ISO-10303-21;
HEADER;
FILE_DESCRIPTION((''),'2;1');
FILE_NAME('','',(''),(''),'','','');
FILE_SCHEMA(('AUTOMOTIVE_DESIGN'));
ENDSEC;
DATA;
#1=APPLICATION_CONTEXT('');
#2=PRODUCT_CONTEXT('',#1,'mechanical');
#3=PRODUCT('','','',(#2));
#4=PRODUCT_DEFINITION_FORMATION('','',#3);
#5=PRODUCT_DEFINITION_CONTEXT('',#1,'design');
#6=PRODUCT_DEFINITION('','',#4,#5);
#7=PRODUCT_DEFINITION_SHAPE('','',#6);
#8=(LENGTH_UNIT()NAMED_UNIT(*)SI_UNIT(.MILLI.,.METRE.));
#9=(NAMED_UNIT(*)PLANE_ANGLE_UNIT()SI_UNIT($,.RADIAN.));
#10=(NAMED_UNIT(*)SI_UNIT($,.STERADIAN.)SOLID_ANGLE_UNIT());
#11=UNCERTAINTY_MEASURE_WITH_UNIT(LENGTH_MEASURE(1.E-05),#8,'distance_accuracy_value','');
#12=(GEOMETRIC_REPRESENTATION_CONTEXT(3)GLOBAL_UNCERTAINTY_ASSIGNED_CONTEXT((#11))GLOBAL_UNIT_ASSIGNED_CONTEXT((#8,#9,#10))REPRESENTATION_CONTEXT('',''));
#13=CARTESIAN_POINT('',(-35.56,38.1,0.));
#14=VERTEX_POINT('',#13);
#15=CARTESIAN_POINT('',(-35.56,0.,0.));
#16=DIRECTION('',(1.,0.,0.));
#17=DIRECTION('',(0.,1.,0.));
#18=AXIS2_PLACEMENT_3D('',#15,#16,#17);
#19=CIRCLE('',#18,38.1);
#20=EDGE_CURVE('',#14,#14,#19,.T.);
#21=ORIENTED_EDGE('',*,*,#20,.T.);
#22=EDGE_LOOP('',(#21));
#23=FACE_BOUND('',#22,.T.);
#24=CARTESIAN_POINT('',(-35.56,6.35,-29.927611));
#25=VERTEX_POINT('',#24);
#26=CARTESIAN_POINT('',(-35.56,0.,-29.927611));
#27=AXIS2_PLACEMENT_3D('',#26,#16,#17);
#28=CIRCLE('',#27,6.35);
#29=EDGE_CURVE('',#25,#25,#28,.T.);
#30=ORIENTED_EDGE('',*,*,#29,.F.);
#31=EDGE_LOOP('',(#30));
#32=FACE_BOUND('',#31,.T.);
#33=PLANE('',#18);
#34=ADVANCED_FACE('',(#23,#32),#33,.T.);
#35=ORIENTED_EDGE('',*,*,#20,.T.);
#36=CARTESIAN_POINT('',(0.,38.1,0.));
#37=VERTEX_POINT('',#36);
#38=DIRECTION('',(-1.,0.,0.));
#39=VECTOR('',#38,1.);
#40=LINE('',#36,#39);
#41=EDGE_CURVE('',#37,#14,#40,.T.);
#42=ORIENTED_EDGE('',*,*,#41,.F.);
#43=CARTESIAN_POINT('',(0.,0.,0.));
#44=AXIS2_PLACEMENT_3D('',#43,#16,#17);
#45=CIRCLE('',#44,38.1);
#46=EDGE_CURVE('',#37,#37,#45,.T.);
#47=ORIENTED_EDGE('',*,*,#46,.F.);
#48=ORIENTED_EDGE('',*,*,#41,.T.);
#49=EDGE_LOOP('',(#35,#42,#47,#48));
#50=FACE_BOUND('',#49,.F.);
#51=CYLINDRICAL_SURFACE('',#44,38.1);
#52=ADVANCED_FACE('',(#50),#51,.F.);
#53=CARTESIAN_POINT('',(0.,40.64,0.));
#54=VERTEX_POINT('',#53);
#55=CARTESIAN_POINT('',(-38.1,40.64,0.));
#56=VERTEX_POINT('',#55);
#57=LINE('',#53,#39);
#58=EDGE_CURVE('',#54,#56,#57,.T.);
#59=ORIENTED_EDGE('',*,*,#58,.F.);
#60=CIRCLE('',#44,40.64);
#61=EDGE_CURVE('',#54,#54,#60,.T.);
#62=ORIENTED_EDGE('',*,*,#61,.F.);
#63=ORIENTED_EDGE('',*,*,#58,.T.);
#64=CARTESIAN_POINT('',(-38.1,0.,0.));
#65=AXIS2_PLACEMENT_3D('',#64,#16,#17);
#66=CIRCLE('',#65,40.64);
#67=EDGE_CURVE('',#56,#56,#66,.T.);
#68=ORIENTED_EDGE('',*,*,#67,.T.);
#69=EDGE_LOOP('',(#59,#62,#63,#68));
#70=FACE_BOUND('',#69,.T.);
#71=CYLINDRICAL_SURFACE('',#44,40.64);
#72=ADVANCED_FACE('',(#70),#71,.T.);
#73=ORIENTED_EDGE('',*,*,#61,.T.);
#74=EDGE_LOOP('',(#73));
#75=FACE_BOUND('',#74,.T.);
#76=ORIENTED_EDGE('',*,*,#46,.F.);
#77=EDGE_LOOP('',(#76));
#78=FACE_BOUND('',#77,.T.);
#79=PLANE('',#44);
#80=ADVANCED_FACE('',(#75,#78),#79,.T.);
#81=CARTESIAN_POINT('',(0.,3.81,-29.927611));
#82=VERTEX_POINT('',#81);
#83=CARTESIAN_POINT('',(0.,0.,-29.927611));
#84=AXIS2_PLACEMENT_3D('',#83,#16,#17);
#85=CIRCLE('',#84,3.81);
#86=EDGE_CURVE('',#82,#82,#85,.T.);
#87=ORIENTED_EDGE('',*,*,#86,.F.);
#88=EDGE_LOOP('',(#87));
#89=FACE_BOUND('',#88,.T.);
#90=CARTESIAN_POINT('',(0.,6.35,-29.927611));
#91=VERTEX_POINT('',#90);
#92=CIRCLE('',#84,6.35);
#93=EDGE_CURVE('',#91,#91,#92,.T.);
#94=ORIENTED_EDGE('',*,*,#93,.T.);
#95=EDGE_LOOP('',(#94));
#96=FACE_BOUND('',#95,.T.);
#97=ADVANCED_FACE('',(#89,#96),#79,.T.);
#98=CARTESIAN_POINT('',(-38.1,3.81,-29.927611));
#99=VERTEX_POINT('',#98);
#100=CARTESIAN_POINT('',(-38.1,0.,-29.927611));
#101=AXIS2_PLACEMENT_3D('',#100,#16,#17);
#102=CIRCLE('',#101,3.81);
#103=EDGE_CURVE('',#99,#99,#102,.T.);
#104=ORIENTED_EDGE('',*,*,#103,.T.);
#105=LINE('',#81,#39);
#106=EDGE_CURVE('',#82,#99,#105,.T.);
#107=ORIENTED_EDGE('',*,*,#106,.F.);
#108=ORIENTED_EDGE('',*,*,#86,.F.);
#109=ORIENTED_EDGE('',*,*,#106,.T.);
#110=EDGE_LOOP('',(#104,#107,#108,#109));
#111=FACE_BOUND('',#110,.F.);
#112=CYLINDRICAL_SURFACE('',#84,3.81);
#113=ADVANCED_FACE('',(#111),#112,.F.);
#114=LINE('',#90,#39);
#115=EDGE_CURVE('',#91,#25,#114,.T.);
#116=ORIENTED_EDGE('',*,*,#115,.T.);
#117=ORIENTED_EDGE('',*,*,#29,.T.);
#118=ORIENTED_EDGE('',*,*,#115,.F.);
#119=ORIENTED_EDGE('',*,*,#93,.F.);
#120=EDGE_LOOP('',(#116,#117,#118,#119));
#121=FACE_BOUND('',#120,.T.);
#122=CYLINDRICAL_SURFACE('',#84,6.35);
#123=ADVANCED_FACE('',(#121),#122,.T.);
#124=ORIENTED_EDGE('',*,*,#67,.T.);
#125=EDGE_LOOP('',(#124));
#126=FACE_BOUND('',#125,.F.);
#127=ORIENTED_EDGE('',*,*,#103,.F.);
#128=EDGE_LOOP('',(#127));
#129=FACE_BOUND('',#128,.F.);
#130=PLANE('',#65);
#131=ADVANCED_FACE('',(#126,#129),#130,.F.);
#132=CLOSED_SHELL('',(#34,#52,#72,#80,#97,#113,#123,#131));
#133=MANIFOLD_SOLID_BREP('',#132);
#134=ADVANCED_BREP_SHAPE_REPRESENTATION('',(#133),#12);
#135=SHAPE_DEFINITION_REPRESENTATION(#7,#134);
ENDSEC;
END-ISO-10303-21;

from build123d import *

# Parameters (mm, degrees)
F0_R     = 40.64
F0_R_2   = 3.81
F1_DEPTH = 38.1
F2_T     = -2.54


with BuildPart() as f1:
    # F0 (on Right) → F1 (new body)
    with BuildSketch(Plane.YZ):
        Circle(F0_R)
        with Locations((0, -29.927611)):
            Circle(F0_R_2, mode=Mode.SUBTRACT)
    extrude(amount=-F1_DEPTH)

    # F2
    f2_openings = [f1.faces().sort_by_distance(p)[0] for p in [
        (0, 0, 0.265368),
    ]]
    offset(amount=F2_T, openings=f2_openings)


solid = f1.part
